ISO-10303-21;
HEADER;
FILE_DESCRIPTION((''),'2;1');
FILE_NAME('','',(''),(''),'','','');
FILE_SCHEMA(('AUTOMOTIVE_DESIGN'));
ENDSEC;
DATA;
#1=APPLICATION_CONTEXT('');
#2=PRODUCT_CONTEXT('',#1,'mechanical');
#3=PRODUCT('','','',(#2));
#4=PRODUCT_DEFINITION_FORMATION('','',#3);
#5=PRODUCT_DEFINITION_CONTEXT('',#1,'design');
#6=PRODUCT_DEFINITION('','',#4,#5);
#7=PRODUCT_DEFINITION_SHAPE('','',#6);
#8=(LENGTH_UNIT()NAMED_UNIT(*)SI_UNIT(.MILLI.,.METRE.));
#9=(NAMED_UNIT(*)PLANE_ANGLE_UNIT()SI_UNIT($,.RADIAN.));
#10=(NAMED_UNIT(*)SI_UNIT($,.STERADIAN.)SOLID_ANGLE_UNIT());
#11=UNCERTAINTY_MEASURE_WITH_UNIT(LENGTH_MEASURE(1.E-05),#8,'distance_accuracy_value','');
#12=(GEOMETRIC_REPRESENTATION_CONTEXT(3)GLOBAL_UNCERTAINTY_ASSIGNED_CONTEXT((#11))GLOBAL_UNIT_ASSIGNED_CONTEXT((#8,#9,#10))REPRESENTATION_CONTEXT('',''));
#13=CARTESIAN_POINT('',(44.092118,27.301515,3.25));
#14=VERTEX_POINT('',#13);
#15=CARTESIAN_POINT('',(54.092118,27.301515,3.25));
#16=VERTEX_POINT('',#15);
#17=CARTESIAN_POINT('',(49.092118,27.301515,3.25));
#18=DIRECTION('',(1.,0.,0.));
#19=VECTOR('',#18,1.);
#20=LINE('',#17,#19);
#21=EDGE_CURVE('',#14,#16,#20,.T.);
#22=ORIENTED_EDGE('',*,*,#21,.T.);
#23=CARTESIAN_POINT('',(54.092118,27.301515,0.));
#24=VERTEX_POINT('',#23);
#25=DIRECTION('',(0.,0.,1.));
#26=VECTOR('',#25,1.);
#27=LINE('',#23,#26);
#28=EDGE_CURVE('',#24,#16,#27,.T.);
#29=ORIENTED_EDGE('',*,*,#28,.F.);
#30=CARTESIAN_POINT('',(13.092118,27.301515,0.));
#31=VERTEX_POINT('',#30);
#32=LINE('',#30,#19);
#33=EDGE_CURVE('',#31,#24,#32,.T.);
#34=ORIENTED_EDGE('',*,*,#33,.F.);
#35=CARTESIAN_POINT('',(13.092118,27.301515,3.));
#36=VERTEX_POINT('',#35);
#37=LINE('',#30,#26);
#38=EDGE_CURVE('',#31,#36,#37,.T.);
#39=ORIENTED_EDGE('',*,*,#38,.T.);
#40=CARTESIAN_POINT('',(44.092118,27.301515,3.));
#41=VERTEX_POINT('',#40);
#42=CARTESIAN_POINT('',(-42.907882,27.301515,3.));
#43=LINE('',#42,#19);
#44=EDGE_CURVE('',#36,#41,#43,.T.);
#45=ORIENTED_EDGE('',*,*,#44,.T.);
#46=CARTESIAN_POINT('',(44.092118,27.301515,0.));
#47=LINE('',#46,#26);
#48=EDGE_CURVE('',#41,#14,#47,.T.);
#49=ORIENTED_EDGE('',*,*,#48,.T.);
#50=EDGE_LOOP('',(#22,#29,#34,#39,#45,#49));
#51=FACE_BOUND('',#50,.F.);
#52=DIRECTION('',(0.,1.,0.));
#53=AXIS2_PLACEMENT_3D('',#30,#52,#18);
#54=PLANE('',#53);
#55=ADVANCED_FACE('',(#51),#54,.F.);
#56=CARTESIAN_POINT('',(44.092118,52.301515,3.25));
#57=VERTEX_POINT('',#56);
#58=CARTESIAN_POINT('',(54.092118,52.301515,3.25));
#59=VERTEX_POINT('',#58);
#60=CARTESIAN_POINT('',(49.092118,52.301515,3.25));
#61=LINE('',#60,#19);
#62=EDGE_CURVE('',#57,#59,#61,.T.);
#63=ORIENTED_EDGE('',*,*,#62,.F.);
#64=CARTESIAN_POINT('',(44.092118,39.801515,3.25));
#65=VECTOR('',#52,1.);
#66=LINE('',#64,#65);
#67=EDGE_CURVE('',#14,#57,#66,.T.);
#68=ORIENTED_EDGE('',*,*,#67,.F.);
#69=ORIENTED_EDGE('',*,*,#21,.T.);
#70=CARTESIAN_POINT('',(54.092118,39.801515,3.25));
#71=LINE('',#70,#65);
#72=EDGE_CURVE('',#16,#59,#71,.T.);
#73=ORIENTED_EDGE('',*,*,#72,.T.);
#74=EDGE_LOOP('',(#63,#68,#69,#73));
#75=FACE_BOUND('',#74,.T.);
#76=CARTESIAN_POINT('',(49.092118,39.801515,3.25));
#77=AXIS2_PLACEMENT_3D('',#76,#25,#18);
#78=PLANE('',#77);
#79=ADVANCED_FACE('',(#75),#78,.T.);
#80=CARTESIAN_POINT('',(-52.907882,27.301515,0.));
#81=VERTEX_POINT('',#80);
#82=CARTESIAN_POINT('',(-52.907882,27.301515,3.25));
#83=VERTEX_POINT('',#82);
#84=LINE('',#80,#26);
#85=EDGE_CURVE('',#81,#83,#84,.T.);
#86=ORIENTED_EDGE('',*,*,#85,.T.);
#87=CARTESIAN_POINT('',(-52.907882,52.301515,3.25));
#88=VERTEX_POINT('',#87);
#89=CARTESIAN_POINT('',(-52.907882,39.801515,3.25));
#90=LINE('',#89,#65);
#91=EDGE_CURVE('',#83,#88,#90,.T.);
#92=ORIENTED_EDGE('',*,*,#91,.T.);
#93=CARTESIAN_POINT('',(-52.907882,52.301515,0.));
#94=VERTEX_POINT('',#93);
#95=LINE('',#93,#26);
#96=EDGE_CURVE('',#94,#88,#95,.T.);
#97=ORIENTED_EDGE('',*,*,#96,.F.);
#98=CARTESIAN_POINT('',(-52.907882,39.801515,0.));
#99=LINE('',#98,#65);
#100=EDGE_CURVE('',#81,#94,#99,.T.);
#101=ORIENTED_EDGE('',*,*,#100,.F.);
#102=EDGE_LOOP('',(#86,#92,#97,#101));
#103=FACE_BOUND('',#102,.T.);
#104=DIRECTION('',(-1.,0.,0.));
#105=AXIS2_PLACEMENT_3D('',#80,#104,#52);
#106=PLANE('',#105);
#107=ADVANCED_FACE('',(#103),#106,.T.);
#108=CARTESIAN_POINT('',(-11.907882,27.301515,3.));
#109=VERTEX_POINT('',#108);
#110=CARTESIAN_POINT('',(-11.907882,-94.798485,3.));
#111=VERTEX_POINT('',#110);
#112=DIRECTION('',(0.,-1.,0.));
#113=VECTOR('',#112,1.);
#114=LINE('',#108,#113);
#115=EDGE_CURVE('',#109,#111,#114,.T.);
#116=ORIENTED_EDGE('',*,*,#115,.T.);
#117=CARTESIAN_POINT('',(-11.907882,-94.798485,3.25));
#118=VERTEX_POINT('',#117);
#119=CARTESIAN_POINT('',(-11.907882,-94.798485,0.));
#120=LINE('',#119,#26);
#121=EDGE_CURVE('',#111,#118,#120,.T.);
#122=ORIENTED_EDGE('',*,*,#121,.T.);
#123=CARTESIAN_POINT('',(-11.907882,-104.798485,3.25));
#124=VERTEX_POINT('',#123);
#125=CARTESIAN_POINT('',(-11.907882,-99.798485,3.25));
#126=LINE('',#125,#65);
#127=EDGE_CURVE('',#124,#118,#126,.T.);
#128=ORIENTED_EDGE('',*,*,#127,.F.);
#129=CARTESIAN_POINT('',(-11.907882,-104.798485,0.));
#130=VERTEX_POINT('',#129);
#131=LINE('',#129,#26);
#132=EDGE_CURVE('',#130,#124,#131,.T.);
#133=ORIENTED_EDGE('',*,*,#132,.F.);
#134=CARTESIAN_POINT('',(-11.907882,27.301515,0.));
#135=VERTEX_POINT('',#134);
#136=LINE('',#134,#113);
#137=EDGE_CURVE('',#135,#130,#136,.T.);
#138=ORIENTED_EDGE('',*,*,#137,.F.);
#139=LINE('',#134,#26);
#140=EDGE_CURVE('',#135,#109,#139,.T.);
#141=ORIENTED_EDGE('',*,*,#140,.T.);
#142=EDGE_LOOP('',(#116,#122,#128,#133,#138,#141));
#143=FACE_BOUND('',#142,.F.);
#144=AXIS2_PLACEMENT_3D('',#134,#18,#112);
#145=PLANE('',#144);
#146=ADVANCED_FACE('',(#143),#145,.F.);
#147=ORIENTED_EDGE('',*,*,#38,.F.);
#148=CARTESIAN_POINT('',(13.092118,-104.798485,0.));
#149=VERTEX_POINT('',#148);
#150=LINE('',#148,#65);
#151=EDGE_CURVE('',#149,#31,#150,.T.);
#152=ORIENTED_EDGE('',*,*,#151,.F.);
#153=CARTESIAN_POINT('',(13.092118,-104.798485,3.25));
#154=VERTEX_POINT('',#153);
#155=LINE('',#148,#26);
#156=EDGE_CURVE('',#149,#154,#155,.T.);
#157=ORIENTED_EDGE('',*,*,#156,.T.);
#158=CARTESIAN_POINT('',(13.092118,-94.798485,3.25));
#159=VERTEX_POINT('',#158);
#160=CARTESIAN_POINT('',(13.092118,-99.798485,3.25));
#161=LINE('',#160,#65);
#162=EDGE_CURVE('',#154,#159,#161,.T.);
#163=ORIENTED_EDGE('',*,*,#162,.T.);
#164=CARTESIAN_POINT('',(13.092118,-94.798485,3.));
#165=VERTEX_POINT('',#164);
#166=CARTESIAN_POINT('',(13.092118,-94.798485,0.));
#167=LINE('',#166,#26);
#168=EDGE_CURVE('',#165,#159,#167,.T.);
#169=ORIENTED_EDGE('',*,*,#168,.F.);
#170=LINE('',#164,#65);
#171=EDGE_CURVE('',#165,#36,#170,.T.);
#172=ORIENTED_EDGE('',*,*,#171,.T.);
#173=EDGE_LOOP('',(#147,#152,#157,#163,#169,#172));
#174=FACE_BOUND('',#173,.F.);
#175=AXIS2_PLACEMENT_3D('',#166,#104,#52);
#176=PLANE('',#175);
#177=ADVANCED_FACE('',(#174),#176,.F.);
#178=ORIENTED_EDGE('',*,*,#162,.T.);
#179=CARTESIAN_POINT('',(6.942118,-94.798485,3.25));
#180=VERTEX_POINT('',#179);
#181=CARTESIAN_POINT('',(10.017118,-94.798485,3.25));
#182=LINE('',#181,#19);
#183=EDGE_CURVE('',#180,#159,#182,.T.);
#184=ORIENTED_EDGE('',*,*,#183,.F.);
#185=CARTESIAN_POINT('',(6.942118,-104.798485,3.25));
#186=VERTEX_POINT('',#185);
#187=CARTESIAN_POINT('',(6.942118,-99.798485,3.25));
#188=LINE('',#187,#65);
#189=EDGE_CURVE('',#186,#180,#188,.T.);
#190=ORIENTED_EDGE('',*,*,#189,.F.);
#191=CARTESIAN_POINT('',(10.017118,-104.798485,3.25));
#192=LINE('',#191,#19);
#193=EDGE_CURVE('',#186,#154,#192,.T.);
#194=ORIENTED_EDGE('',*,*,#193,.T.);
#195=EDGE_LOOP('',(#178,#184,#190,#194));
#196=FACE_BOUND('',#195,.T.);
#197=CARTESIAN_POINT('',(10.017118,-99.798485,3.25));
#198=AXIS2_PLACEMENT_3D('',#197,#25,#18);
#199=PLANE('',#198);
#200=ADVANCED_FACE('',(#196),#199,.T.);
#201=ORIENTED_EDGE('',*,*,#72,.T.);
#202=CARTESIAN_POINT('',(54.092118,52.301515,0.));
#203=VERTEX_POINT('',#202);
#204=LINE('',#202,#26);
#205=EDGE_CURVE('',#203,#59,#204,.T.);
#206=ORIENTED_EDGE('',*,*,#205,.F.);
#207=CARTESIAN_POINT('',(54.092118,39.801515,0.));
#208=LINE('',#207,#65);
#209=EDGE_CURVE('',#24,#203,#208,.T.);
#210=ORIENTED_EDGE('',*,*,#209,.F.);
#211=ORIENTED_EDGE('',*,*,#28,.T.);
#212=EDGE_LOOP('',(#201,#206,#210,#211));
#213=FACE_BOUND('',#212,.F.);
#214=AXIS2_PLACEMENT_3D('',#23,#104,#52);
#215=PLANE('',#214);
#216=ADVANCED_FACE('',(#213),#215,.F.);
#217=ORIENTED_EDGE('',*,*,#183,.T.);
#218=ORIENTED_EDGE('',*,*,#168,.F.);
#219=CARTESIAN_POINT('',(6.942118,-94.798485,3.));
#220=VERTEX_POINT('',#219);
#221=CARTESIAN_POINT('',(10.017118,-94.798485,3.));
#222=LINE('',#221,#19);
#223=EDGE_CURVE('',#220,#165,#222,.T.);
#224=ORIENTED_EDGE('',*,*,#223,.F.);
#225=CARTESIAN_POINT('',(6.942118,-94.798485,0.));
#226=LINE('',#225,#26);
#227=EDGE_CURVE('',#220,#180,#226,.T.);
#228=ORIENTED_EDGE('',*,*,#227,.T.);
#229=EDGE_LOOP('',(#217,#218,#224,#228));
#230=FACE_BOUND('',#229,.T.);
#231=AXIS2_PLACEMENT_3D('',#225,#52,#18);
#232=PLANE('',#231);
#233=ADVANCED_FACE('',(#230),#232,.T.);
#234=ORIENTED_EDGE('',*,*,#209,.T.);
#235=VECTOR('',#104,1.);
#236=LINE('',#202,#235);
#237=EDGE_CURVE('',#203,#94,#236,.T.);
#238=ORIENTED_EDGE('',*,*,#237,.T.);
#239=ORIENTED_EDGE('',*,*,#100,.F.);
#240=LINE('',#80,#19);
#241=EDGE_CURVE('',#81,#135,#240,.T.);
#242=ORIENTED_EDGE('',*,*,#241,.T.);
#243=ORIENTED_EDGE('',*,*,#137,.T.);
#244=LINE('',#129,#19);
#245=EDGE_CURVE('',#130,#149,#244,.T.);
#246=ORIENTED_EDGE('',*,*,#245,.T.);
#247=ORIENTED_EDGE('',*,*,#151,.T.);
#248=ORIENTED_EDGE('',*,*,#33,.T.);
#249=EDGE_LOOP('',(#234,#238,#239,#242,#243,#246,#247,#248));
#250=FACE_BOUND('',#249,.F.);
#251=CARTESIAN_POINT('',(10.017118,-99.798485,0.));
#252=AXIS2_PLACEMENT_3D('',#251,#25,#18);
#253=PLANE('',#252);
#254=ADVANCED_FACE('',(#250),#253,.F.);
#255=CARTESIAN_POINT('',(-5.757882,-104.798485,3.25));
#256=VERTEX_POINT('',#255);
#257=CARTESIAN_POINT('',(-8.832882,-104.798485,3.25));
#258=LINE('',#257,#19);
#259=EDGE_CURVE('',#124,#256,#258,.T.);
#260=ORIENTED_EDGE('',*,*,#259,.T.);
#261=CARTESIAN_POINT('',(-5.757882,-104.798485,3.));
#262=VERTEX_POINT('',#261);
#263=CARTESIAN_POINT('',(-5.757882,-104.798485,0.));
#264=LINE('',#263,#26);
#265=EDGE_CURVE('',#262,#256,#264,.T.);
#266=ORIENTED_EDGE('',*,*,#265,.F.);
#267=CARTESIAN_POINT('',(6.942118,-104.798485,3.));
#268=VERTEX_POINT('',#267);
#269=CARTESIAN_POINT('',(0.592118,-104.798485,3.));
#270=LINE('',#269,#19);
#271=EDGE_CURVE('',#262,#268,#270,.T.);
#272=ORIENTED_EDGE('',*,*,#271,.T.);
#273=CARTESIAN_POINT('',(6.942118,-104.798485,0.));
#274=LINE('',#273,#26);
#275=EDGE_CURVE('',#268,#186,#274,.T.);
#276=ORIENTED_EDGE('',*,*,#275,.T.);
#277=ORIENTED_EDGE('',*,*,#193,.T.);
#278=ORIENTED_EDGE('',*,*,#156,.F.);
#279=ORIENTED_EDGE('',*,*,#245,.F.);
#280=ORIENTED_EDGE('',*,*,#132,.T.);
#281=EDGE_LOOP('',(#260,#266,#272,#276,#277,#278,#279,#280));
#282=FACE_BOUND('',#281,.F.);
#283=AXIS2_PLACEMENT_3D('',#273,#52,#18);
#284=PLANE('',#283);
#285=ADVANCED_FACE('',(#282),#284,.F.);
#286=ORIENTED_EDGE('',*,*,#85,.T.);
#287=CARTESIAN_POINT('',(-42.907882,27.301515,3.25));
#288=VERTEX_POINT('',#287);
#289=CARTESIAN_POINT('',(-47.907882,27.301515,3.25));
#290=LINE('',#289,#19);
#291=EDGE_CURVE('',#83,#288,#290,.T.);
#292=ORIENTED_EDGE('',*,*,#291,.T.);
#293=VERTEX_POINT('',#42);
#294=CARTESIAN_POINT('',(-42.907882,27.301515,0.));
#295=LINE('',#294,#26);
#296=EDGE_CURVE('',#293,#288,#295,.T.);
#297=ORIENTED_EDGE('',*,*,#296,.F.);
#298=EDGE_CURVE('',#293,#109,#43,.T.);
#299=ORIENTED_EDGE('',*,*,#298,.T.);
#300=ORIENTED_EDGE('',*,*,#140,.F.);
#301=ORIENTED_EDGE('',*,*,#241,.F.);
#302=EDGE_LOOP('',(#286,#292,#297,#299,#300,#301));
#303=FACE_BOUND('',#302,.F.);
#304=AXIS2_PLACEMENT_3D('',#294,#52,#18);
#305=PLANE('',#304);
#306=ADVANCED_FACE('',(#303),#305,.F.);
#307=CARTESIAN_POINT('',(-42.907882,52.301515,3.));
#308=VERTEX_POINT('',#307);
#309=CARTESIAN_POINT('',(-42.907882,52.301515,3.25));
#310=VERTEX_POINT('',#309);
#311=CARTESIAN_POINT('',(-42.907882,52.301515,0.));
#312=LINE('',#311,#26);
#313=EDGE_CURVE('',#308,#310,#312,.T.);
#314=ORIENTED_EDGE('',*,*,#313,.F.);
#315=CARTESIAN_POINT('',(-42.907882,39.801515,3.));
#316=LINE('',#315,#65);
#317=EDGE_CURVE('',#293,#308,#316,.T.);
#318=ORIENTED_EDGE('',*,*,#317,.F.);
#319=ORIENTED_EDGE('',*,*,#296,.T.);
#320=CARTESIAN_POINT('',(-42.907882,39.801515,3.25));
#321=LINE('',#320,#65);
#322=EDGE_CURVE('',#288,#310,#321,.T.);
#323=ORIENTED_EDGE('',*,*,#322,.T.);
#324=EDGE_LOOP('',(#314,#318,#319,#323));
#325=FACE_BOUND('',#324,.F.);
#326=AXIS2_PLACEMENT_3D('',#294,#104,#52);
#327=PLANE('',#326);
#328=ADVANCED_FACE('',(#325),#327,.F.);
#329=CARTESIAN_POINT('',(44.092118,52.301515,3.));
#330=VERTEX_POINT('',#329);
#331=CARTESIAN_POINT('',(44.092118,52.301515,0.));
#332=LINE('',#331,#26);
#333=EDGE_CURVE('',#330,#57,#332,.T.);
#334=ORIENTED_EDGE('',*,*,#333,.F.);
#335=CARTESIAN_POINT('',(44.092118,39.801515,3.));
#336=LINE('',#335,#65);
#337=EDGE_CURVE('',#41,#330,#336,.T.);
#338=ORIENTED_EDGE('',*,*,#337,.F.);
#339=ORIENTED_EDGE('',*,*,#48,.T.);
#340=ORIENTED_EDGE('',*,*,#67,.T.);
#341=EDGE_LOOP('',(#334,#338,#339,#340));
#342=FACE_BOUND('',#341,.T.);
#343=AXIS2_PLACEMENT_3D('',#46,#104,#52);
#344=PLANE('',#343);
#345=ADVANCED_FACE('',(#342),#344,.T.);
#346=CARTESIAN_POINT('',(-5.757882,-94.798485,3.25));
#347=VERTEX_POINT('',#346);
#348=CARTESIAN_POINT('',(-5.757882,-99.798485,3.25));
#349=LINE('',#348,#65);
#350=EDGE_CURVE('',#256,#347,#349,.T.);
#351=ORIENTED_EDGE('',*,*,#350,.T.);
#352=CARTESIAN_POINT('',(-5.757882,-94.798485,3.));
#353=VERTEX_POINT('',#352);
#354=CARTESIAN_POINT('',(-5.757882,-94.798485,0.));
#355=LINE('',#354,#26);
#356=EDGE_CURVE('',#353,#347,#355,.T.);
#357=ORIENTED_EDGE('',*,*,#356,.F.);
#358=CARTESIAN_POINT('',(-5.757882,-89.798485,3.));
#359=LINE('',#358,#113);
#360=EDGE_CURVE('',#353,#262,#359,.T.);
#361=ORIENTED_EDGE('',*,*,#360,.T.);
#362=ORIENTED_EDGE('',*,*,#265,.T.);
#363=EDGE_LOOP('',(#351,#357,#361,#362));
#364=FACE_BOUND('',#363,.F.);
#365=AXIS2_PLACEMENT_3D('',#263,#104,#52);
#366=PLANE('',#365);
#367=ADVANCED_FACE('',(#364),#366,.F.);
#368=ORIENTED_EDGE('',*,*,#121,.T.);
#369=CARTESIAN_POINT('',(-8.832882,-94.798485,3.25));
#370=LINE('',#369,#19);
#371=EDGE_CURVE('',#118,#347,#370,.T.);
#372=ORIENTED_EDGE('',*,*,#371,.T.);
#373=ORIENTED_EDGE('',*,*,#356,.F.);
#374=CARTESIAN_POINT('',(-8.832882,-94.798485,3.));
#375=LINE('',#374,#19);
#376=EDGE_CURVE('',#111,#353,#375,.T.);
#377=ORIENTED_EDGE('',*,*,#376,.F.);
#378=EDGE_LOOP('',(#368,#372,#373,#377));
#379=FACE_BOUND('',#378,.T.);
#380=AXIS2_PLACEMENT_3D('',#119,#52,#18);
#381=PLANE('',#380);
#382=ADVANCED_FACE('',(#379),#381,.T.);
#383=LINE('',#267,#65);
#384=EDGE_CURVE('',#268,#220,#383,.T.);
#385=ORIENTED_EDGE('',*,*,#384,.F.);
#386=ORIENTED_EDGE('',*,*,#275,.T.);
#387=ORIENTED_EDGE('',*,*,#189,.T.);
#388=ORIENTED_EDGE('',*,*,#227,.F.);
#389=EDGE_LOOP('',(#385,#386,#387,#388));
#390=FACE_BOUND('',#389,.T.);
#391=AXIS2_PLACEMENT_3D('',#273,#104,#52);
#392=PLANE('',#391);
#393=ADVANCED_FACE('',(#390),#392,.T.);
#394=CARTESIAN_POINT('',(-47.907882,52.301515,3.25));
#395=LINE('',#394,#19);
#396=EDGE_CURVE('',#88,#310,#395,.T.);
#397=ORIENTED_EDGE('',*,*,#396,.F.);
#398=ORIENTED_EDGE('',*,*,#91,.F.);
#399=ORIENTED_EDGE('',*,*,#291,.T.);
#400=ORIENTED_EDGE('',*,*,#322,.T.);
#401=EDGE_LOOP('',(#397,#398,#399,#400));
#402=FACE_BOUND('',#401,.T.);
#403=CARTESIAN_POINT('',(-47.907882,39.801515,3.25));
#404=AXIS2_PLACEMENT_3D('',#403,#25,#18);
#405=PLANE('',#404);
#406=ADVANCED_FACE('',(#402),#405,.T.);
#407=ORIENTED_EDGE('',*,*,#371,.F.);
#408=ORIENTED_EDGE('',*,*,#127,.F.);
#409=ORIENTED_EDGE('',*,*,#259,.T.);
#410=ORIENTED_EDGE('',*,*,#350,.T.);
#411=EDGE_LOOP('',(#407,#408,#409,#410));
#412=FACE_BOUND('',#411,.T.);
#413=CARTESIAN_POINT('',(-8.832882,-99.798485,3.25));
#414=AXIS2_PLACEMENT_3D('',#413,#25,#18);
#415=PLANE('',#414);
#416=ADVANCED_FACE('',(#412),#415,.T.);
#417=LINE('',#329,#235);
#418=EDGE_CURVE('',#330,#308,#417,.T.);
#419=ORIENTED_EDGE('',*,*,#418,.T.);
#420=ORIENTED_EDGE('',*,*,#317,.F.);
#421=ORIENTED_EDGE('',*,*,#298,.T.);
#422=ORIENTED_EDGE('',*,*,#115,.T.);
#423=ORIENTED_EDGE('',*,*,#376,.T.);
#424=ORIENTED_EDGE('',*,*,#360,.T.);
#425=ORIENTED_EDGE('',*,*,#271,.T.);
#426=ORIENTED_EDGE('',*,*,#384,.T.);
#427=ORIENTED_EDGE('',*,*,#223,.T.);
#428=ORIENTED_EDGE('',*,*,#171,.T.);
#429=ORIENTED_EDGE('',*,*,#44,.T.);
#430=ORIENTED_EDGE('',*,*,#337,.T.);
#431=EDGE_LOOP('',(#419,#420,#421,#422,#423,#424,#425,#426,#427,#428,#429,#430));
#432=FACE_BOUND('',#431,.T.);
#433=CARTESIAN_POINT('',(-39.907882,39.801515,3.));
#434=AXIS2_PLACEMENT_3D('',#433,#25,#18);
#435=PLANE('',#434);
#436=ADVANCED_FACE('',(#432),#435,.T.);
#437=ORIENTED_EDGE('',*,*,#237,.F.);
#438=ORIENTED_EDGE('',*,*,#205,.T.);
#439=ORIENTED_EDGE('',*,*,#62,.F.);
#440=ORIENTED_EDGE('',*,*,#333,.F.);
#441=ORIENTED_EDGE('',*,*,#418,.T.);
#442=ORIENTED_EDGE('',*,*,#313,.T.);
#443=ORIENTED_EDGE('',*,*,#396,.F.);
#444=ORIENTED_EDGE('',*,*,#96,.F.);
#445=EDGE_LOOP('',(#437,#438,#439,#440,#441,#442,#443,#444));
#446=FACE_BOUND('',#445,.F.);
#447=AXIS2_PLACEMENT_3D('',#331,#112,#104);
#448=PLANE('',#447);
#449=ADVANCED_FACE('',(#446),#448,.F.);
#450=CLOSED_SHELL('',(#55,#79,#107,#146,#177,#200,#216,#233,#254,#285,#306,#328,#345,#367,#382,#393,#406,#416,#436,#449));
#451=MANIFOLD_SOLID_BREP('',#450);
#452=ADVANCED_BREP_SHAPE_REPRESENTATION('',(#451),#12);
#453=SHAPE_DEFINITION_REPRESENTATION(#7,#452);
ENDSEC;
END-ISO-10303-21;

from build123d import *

# Parameters (mm, degrees)
F0_W     = 6
F0_H     = 25
F0_W_2   = 5
F0_W_3   = 12.7
F0_H_2   = 10
F0_H_3   = 5
F0_W_4   = 6.15
F1_DEPTH = 3
F0_W_5   = 10
F2_DEPTH = 3.25


with BuildPart() as f1:
    # F0 (on Top) → F1 (new body)
    with BuildSketch(Plane.XY):
        with Locations((-39.9078816451, 39.8015151515)):
            Rectangle(F0_W, F0_H)
        Polygon((-11.9078816451, 27.3015151515), (0.5921183549, 27.3015151515), (0.5921183549, 52.3015151515), (-36.9078816451, 52.3015151515), (-36.9078816451, 27.3015151515), align=None)
        Polygon((0.5921183549, 27.3015151515), (13.0921183549, 27.3015151515), (39.0921183549, 27.3015151515), (39.0921183549, 52.3015151515), (0.5921183549, 52.3015151515), align=None)
        with Locations((41.5921183549, 39.8015151515)):
            Rectangle(F0_W_2, F0_H)
        with Locations((0.5921183549, -99.7984848485)):
            Rectangle(F0_W_3, F0_H_2)
        with Locations((0.5921183549, -92.2984848485)):
            Rectangle(F0_W_3, F0_H_3)
        with Locations((10.0171183549, -92.2984848485)):
            Rectangle(F0_W_4, F0_H_3)
        Polygon((6.9421183549, -89.7984848485), (13.0921183549, -89.7984848485), (13.0921183549, 27.3015151515), (0.5921183549, 27.3015151515), (-11.9078816451, 27.3015151515), (-11.9078816451, -89.7984848485), (-5.7578816451, -89.7984848485), align=None)
        with Locations((-8.8328816451, -92.2984848485)):
            Rectangle(F0_W_4, F0_H_3)
    extrude(amount=F1_DEPTH)

    # F0 (on Top) → F2 (join)
    with BuildSketch(Plane.XY):
        with Locations((10.0171183549, -99.7984848485)):
            Rectangle(F0_W_4, F0_H_2)
        with Locations((-8.8328816451, -99.7984848485)):
            Rectangle(F0_W_4, F0_H_2)
        with Locations((-47.9078816451, 39.8015151515)):
            Rectangle(F0_W_5, F0_H)
        with Locations((49.0921183549, 39.8015151515)):
            Rectangle(F0_W_5, F0_H)
    extrude(amount=F2_DEPTH)


solid = f1.part
